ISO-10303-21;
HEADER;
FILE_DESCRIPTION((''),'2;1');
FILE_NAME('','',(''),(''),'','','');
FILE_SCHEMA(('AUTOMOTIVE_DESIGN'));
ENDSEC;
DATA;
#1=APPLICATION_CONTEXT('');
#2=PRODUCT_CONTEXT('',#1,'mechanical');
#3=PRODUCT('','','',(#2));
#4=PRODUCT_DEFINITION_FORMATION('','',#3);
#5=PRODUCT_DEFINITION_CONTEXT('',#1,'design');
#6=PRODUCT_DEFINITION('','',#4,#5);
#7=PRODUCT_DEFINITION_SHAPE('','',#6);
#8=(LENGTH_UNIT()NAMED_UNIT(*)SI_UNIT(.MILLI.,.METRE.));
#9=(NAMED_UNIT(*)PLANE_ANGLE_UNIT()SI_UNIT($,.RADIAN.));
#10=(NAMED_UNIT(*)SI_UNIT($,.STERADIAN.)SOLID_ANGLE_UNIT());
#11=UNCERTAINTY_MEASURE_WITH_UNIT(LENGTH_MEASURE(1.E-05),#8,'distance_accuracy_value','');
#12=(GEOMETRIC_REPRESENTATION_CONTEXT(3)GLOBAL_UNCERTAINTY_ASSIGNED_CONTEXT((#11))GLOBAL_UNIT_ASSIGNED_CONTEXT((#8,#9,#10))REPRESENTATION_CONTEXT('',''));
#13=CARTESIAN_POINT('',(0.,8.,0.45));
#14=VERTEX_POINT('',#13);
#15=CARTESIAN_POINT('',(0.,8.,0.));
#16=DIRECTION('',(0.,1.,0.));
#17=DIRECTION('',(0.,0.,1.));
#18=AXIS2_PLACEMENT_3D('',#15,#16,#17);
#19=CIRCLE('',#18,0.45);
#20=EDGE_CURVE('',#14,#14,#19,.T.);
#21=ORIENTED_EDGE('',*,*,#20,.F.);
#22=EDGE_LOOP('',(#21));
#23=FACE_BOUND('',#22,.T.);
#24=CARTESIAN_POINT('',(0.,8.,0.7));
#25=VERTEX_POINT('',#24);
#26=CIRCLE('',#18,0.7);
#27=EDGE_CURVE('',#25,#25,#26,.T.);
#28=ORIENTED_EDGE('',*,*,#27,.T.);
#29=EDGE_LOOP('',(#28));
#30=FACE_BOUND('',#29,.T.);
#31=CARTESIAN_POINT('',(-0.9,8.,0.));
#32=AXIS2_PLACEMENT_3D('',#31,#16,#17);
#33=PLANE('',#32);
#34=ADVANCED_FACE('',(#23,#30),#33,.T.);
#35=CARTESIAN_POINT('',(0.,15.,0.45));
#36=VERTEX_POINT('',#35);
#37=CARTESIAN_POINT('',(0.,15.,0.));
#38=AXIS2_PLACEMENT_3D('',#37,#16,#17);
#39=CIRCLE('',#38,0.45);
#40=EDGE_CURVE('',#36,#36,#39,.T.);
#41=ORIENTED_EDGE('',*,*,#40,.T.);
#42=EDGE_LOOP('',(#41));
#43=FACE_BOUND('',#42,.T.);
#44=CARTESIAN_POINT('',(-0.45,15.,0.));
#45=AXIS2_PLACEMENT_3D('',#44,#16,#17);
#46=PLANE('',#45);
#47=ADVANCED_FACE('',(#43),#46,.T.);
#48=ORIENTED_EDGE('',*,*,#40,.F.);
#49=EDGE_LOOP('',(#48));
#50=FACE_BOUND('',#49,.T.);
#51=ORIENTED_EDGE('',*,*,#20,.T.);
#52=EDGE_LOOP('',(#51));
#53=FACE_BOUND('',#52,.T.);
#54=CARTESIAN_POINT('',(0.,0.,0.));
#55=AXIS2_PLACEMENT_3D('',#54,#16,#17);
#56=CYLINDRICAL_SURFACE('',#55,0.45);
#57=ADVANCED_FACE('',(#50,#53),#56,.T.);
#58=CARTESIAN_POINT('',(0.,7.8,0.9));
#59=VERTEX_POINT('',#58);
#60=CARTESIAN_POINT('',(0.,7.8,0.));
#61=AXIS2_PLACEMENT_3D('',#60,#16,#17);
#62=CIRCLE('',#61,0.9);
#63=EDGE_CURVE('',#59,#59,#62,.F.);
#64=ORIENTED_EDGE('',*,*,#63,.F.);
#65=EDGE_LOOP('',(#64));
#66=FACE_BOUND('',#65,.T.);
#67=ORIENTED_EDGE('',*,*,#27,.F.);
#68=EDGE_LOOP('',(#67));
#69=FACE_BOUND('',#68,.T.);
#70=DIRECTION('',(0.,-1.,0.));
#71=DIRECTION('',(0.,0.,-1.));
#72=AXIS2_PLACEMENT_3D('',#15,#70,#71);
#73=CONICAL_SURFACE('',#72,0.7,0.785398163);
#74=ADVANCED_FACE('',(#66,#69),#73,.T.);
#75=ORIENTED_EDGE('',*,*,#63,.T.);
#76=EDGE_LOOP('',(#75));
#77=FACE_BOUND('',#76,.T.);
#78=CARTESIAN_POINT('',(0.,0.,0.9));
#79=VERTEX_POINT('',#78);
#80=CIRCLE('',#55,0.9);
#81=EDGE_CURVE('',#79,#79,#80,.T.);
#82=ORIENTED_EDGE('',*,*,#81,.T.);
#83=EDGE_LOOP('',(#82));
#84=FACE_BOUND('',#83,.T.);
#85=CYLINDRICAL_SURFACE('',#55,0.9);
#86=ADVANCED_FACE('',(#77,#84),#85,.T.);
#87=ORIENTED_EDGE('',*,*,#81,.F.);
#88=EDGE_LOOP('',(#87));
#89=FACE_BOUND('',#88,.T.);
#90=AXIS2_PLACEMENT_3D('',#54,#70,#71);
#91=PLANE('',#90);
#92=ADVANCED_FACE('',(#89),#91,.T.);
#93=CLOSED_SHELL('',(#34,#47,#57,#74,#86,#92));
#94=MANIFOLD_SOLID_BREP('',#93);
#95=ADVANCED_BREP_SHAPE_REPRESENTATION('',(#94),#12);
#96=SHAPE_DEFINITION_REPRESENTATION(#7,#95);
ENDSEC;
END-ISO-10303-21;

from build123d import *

# Parameters (mm, degrees)
CHAMFER_1_SIZE = 0.2


with BuildPart() as part:
    # Эскиз1 → Повернуть1 (revolve)
    with BuildSketch(Plane.XY):
        Polygon((0, 0), (-0.9, 0), (-0.9, 8), (-0.45, 8), (-0.45, 15), (0, 15), align=None)
    revolve(axis=Axis((0, 0, 0), (0, -1, 0)))

    # Фаска1
    chamfer_1_edges = [part.edges().sort_by_distance(p)[0] for p in [
        (0.9, 8, 0),
    ]]
    chamfer(chamfer_1_edges, length=CHAMFER_1_SIZE)


solid = part.part
